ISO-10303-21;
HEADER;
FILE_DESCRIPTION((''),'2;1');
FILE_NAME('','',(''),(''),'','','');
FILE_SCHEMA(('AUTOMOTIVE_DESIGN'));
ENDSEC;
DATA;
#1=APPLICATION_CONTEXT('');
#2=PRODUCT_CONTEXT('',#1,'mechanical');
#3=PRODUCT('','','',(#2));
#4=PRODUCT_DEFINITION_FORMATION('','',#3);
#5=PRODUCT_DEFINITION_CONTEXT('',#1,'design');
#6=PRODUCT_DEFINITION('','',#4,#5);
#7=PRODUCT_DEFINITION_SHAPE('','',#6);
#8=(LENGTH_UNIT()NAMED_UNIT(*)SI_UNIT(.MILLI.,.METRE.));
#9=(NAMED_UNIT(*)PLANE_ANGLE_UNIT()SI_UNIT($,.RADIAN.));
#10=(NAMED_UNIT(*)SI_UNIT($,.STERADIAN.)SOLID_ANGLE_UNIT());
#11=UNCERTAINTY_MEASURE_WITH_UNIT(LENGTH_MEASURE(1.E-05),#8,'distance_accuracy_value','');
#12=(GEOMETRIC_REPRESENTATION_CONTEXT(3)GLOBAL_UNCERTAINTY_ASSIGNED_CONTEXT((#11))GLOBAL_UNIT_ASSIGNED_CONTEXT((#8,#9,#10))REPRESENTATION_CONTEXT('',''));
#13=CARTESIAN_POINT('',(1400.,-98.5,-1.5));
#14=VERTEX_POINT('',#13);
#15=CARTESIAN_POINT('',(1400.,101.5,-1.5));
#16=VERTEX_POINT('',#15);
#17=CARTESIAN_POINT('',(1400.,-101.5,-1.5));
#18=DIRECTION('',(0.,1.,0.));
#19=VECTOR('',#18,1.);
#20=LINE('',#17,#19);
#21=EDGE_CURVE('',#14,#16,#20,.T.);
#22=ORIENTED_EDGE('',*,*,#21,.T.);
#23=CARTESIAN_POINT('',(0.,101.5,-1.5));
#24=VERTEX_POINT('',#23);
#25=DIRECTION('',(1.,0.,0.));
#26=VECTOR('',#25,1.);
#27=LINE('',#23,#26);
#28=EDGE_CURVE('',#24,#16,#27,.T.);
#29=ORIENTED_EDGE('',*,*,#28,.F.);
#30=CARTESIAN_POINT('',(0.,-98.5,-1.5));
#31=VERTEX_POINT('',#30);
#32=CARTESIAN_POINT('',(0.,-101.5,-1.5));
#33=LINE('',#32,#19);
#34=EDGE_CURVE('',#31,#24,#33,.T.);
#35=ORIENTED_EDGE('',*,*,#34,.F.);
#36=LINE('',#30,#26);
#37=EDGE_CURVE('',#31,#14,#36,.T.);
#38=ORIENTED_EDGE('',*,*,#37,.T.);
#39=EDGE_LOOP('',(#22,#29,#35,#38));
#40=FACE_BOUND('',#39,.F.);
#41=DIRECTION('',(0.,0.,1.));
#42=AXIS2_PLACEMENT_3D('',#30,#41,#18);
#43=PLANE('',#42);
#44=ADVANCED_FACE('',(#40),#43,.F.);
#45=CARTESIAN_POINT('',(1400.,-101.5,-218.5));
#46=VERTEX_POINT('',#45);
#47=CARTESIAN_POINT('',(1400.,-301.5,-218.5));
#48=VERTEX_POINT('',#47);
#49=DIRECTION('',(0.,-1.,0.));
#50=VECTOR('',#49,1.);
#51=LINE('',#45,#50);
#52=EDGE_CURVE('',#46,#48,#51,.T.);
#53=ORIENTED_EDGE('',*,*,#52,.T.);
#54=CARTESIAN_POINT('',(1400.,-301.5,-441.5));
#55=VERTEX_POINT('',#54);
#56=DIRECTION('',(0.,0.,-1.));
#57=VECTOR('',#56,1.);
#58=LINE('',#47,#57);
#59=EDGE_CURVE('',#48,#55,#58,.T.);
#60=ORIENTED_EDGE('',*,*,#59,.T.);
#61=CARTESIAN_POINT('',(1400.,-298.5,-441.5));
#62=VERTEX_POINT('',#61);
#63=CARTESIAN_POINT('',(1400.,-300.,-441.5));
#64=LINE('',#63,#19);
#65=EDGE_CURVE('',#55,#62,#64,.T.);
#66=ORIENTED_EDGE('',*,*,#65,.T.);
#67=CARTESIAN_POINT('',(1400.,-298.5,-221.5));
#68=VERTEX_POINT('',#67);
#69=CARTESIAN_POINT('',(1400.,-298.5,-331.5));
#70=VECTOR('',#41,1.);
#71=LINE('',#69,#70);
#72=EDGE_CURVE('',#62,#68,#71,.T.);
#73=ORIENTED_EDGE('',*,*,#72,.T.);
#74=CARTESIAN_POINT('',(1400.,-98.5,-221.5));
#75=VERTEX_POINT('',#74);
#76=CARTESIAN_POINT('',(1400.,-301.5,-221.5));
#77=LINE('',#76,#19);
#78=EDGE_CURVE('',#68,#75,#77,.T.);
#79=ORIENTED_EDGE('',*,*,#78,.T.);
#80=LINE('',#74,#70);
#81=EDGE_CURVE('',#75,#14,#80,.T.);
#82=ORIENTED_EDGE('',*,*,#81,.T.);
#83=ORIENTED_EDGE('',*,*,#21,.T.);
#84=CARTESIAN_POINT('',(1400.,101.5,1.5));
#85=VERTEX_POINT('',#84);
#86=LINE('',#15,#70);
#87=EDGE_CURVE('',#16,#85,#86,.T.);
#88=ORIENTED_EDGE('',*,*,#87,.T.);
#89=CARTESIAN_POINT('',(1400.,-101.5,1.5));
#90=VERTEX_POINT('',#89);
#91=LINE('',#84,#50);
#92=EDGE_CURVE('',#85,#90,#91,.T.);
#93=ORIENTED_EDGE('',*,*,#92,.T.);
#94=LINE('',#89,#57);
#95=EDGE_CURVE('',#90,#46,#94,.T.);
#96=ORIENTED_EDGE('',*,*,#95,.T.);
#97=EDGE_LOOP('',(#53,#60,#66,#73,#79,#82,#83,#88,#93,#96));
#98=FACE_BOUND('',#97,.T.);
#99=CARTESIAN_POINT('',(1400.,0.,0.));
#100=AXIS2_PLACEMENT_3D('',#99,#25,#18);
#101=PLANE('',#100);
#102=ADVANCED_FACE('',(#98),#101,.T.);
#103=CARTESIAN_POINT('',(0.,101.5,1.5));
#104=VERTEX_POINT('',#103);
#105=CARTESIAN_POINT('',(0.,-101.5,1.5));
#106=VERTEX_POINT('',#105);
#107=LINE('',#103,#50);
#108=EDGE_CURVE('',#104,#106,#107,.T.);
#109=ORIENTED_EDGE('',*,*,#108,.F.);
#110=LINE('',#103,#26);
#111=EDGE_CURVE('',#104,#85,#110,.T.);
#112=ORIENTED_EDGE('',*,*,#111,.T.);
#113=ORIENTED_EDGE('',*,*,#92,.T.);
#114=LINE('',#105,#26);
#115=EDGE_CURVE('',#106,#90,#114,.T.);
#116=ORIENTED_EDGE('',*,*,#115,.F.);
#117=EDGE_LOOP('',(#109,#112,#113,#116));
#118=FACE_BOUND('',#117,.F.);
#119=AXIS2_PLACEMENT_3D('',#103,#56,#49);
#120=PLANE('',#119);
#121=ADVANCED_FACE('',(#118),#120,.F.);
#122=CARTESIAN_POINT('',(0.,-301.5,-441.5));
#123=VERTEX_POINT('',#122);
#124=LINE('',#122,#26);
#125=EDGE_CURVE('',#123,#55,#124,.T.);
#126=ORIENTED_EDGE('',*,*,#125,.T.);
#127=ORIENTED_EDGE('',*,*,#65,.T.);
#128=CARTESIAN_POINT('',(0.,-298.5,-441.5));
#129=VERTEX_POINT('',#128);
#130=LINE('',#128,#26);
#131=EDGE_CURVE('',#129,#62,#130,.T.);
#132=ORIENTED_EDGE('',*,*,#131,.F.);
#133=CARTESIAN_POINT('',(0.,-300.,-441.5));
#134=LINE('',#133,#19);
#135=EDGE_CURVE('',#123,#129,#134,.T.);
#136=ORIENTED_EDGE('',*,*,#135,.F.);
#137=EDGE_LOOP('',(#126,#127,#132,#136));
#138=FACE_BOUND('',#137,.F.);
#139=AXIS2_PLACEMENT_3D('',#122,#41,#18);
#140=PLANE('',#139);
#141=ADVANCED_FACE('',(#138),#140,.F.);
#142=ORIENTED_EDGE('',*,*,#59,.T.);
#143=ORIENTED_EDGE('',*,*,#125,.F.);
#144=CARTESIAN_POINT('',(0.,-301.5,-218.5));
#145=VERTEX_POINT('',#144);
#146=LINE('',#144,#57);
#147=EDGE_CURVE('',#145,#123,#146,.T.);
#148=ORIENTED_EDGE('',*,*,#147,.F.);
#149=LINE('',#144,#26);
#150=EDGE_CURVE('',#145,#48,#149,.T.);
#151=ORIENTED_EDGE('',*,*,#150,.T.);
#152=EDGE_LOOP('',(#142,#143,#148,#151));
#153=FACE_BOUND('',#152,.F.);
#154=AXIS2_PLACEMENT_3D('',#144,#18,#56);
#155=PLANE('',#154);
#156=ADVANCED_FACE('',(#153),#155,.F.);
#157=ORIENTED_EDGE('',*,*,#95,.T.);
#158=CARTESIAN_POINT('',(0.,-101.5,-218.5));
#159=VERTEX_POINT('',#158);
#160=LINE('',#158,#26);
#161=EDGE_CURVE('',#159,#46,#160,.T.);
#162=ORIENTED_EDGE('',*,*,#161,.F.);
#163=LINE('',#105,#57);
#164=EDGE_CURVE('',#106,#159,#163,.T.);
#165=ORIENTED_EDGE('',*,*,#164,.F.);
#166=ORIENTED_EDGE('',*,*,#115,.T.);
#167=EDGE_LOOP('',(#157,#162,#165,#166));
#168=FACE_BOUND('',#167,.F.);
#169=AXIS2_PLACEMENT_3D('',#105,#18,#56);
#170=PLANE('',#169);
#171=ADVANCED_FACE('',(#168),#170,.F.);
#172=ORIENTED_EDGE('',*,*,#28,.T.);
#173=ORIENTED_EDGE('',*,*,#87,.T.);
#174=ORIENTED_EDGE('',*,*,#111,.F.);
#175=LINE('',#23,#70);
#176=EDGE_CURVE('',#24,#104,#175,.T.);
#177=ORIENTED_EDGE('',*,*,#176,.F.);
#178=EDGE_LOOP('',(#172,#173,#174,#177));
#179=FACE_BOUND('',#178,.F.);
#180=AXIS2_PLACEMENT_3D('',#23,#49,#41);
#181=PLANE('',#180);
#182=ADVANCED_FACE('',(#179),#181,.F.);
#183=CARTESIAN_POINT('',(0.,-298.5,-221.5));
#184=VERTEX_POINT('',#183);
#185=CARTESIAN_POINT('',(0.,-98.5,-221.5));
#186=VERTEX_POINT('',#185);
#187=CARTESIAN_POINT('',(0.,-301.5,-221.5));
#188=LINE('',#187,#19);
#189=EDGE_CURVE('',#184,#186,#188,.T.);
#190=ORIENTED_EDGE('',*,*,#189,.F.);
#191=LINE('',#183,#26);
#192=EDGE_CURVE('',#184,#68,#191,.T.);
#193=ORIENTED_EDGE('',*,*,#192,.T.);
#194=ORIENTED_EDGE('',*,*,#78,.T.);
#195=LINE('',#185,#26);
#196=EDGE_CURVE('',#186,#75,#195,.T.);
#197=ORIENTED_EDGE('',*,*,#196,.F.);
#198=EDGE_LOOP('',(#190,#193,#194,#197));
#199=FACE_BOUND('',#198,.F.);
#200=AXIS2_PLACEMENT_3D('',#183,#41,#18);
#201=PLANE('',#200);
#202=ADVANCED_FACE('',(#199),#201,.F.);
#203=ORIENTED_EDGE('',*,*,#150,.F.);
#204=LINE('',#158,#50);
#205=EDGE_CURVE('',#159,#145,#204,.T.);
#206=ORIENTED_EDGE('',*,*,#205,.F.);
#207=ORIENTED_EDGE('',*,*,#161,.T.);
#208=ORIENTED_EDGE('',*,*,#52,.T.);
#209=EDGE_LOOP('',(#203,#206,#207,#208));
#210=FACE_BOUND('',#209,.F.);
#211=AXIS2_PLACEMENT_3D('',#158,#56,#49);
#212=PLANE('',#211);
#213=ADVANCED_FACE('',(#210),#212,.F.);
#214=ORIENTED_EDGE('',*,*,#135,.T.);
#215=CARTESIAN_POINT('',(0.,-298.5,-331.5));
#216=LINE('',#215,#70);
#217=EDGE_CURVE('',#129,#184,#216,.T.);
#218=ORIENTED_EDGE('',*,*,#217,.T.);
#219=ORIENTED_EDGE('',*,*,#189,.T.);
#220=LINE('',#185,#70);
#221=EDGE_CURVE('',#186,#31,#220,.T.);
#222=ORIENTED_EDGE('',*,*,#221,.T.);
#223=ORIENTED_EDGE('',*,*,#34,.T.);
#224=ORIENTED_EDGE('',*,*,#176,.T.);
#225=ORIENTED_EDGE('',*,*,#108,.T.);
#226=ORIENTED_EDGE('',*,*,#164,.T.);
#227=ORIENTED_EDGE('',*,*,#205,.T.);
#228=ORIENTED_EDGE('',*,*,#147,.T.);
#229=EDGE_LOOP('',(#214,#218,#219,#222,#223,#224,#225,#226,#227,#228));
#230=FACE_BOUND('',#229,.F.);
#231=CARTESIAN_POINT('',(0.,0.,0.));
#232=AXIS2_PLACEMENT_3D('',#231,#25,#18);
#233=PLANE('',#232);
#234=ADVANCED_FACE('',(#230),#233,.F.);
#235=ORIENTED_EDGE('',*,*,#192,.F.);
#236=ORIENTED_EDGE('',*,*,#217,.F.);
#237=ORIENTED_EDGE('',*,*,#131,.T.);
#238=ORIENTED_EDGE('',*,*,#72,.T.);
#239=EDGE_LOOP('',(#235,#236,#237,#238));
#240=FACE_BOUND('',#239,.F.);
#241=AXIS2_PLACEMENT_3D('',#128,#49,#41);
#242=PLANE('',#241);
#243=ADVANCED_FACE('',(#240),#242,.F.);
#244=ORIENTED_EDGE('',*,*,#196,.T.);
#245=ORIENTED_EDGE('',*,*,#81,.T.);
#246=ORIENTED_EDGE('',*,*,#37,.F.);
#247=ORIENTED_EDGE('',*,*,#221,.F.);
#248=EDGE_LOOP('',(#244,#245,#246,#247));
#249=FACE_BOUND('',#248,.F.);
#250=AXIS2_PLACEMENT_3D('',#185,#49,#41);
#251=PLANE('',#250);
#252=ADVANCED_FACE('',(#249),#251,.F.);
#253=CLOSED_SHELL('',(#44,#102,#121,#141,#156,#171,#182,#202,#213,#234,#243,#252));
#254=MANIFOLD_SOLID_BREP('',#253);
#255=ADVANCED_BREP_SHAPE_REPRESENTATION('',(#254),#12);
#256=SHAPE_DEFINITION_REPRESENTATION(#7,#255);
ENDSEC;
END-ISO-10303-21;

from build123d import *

# Parameters (mm, degrees)
F0_W     = 3
F0_H     = 220
F1_DEPTH = 1400


with BuildPart() as f1:
    # F0 (on Right) → F1 (new body)
    with BuildSketch(Plane.YZ):
        Polygon((101.5, 1.5), (-101.5, 1.5), (-101.5, -1.5), (-98.5, -1.5), (101.5, -1.5), align=None)
        Polygon((-98.5, -1.5), (-101.5, -1.5), (-101.5, -218.5), (-101.5, -221.5), (-98.5, -221.5), align=None)
        Polygon((-101.5, -221.5), (-101.5, -218.5), (-301.5, -218.5), (-301.5, -221.5), (-298.5, -221.5), align=None)
        with Locations((-300, -331.5)):
            Rectangle(F0_W, F0_H)
    extrude(amount=F1_DEPTH)


solid = f1.part
